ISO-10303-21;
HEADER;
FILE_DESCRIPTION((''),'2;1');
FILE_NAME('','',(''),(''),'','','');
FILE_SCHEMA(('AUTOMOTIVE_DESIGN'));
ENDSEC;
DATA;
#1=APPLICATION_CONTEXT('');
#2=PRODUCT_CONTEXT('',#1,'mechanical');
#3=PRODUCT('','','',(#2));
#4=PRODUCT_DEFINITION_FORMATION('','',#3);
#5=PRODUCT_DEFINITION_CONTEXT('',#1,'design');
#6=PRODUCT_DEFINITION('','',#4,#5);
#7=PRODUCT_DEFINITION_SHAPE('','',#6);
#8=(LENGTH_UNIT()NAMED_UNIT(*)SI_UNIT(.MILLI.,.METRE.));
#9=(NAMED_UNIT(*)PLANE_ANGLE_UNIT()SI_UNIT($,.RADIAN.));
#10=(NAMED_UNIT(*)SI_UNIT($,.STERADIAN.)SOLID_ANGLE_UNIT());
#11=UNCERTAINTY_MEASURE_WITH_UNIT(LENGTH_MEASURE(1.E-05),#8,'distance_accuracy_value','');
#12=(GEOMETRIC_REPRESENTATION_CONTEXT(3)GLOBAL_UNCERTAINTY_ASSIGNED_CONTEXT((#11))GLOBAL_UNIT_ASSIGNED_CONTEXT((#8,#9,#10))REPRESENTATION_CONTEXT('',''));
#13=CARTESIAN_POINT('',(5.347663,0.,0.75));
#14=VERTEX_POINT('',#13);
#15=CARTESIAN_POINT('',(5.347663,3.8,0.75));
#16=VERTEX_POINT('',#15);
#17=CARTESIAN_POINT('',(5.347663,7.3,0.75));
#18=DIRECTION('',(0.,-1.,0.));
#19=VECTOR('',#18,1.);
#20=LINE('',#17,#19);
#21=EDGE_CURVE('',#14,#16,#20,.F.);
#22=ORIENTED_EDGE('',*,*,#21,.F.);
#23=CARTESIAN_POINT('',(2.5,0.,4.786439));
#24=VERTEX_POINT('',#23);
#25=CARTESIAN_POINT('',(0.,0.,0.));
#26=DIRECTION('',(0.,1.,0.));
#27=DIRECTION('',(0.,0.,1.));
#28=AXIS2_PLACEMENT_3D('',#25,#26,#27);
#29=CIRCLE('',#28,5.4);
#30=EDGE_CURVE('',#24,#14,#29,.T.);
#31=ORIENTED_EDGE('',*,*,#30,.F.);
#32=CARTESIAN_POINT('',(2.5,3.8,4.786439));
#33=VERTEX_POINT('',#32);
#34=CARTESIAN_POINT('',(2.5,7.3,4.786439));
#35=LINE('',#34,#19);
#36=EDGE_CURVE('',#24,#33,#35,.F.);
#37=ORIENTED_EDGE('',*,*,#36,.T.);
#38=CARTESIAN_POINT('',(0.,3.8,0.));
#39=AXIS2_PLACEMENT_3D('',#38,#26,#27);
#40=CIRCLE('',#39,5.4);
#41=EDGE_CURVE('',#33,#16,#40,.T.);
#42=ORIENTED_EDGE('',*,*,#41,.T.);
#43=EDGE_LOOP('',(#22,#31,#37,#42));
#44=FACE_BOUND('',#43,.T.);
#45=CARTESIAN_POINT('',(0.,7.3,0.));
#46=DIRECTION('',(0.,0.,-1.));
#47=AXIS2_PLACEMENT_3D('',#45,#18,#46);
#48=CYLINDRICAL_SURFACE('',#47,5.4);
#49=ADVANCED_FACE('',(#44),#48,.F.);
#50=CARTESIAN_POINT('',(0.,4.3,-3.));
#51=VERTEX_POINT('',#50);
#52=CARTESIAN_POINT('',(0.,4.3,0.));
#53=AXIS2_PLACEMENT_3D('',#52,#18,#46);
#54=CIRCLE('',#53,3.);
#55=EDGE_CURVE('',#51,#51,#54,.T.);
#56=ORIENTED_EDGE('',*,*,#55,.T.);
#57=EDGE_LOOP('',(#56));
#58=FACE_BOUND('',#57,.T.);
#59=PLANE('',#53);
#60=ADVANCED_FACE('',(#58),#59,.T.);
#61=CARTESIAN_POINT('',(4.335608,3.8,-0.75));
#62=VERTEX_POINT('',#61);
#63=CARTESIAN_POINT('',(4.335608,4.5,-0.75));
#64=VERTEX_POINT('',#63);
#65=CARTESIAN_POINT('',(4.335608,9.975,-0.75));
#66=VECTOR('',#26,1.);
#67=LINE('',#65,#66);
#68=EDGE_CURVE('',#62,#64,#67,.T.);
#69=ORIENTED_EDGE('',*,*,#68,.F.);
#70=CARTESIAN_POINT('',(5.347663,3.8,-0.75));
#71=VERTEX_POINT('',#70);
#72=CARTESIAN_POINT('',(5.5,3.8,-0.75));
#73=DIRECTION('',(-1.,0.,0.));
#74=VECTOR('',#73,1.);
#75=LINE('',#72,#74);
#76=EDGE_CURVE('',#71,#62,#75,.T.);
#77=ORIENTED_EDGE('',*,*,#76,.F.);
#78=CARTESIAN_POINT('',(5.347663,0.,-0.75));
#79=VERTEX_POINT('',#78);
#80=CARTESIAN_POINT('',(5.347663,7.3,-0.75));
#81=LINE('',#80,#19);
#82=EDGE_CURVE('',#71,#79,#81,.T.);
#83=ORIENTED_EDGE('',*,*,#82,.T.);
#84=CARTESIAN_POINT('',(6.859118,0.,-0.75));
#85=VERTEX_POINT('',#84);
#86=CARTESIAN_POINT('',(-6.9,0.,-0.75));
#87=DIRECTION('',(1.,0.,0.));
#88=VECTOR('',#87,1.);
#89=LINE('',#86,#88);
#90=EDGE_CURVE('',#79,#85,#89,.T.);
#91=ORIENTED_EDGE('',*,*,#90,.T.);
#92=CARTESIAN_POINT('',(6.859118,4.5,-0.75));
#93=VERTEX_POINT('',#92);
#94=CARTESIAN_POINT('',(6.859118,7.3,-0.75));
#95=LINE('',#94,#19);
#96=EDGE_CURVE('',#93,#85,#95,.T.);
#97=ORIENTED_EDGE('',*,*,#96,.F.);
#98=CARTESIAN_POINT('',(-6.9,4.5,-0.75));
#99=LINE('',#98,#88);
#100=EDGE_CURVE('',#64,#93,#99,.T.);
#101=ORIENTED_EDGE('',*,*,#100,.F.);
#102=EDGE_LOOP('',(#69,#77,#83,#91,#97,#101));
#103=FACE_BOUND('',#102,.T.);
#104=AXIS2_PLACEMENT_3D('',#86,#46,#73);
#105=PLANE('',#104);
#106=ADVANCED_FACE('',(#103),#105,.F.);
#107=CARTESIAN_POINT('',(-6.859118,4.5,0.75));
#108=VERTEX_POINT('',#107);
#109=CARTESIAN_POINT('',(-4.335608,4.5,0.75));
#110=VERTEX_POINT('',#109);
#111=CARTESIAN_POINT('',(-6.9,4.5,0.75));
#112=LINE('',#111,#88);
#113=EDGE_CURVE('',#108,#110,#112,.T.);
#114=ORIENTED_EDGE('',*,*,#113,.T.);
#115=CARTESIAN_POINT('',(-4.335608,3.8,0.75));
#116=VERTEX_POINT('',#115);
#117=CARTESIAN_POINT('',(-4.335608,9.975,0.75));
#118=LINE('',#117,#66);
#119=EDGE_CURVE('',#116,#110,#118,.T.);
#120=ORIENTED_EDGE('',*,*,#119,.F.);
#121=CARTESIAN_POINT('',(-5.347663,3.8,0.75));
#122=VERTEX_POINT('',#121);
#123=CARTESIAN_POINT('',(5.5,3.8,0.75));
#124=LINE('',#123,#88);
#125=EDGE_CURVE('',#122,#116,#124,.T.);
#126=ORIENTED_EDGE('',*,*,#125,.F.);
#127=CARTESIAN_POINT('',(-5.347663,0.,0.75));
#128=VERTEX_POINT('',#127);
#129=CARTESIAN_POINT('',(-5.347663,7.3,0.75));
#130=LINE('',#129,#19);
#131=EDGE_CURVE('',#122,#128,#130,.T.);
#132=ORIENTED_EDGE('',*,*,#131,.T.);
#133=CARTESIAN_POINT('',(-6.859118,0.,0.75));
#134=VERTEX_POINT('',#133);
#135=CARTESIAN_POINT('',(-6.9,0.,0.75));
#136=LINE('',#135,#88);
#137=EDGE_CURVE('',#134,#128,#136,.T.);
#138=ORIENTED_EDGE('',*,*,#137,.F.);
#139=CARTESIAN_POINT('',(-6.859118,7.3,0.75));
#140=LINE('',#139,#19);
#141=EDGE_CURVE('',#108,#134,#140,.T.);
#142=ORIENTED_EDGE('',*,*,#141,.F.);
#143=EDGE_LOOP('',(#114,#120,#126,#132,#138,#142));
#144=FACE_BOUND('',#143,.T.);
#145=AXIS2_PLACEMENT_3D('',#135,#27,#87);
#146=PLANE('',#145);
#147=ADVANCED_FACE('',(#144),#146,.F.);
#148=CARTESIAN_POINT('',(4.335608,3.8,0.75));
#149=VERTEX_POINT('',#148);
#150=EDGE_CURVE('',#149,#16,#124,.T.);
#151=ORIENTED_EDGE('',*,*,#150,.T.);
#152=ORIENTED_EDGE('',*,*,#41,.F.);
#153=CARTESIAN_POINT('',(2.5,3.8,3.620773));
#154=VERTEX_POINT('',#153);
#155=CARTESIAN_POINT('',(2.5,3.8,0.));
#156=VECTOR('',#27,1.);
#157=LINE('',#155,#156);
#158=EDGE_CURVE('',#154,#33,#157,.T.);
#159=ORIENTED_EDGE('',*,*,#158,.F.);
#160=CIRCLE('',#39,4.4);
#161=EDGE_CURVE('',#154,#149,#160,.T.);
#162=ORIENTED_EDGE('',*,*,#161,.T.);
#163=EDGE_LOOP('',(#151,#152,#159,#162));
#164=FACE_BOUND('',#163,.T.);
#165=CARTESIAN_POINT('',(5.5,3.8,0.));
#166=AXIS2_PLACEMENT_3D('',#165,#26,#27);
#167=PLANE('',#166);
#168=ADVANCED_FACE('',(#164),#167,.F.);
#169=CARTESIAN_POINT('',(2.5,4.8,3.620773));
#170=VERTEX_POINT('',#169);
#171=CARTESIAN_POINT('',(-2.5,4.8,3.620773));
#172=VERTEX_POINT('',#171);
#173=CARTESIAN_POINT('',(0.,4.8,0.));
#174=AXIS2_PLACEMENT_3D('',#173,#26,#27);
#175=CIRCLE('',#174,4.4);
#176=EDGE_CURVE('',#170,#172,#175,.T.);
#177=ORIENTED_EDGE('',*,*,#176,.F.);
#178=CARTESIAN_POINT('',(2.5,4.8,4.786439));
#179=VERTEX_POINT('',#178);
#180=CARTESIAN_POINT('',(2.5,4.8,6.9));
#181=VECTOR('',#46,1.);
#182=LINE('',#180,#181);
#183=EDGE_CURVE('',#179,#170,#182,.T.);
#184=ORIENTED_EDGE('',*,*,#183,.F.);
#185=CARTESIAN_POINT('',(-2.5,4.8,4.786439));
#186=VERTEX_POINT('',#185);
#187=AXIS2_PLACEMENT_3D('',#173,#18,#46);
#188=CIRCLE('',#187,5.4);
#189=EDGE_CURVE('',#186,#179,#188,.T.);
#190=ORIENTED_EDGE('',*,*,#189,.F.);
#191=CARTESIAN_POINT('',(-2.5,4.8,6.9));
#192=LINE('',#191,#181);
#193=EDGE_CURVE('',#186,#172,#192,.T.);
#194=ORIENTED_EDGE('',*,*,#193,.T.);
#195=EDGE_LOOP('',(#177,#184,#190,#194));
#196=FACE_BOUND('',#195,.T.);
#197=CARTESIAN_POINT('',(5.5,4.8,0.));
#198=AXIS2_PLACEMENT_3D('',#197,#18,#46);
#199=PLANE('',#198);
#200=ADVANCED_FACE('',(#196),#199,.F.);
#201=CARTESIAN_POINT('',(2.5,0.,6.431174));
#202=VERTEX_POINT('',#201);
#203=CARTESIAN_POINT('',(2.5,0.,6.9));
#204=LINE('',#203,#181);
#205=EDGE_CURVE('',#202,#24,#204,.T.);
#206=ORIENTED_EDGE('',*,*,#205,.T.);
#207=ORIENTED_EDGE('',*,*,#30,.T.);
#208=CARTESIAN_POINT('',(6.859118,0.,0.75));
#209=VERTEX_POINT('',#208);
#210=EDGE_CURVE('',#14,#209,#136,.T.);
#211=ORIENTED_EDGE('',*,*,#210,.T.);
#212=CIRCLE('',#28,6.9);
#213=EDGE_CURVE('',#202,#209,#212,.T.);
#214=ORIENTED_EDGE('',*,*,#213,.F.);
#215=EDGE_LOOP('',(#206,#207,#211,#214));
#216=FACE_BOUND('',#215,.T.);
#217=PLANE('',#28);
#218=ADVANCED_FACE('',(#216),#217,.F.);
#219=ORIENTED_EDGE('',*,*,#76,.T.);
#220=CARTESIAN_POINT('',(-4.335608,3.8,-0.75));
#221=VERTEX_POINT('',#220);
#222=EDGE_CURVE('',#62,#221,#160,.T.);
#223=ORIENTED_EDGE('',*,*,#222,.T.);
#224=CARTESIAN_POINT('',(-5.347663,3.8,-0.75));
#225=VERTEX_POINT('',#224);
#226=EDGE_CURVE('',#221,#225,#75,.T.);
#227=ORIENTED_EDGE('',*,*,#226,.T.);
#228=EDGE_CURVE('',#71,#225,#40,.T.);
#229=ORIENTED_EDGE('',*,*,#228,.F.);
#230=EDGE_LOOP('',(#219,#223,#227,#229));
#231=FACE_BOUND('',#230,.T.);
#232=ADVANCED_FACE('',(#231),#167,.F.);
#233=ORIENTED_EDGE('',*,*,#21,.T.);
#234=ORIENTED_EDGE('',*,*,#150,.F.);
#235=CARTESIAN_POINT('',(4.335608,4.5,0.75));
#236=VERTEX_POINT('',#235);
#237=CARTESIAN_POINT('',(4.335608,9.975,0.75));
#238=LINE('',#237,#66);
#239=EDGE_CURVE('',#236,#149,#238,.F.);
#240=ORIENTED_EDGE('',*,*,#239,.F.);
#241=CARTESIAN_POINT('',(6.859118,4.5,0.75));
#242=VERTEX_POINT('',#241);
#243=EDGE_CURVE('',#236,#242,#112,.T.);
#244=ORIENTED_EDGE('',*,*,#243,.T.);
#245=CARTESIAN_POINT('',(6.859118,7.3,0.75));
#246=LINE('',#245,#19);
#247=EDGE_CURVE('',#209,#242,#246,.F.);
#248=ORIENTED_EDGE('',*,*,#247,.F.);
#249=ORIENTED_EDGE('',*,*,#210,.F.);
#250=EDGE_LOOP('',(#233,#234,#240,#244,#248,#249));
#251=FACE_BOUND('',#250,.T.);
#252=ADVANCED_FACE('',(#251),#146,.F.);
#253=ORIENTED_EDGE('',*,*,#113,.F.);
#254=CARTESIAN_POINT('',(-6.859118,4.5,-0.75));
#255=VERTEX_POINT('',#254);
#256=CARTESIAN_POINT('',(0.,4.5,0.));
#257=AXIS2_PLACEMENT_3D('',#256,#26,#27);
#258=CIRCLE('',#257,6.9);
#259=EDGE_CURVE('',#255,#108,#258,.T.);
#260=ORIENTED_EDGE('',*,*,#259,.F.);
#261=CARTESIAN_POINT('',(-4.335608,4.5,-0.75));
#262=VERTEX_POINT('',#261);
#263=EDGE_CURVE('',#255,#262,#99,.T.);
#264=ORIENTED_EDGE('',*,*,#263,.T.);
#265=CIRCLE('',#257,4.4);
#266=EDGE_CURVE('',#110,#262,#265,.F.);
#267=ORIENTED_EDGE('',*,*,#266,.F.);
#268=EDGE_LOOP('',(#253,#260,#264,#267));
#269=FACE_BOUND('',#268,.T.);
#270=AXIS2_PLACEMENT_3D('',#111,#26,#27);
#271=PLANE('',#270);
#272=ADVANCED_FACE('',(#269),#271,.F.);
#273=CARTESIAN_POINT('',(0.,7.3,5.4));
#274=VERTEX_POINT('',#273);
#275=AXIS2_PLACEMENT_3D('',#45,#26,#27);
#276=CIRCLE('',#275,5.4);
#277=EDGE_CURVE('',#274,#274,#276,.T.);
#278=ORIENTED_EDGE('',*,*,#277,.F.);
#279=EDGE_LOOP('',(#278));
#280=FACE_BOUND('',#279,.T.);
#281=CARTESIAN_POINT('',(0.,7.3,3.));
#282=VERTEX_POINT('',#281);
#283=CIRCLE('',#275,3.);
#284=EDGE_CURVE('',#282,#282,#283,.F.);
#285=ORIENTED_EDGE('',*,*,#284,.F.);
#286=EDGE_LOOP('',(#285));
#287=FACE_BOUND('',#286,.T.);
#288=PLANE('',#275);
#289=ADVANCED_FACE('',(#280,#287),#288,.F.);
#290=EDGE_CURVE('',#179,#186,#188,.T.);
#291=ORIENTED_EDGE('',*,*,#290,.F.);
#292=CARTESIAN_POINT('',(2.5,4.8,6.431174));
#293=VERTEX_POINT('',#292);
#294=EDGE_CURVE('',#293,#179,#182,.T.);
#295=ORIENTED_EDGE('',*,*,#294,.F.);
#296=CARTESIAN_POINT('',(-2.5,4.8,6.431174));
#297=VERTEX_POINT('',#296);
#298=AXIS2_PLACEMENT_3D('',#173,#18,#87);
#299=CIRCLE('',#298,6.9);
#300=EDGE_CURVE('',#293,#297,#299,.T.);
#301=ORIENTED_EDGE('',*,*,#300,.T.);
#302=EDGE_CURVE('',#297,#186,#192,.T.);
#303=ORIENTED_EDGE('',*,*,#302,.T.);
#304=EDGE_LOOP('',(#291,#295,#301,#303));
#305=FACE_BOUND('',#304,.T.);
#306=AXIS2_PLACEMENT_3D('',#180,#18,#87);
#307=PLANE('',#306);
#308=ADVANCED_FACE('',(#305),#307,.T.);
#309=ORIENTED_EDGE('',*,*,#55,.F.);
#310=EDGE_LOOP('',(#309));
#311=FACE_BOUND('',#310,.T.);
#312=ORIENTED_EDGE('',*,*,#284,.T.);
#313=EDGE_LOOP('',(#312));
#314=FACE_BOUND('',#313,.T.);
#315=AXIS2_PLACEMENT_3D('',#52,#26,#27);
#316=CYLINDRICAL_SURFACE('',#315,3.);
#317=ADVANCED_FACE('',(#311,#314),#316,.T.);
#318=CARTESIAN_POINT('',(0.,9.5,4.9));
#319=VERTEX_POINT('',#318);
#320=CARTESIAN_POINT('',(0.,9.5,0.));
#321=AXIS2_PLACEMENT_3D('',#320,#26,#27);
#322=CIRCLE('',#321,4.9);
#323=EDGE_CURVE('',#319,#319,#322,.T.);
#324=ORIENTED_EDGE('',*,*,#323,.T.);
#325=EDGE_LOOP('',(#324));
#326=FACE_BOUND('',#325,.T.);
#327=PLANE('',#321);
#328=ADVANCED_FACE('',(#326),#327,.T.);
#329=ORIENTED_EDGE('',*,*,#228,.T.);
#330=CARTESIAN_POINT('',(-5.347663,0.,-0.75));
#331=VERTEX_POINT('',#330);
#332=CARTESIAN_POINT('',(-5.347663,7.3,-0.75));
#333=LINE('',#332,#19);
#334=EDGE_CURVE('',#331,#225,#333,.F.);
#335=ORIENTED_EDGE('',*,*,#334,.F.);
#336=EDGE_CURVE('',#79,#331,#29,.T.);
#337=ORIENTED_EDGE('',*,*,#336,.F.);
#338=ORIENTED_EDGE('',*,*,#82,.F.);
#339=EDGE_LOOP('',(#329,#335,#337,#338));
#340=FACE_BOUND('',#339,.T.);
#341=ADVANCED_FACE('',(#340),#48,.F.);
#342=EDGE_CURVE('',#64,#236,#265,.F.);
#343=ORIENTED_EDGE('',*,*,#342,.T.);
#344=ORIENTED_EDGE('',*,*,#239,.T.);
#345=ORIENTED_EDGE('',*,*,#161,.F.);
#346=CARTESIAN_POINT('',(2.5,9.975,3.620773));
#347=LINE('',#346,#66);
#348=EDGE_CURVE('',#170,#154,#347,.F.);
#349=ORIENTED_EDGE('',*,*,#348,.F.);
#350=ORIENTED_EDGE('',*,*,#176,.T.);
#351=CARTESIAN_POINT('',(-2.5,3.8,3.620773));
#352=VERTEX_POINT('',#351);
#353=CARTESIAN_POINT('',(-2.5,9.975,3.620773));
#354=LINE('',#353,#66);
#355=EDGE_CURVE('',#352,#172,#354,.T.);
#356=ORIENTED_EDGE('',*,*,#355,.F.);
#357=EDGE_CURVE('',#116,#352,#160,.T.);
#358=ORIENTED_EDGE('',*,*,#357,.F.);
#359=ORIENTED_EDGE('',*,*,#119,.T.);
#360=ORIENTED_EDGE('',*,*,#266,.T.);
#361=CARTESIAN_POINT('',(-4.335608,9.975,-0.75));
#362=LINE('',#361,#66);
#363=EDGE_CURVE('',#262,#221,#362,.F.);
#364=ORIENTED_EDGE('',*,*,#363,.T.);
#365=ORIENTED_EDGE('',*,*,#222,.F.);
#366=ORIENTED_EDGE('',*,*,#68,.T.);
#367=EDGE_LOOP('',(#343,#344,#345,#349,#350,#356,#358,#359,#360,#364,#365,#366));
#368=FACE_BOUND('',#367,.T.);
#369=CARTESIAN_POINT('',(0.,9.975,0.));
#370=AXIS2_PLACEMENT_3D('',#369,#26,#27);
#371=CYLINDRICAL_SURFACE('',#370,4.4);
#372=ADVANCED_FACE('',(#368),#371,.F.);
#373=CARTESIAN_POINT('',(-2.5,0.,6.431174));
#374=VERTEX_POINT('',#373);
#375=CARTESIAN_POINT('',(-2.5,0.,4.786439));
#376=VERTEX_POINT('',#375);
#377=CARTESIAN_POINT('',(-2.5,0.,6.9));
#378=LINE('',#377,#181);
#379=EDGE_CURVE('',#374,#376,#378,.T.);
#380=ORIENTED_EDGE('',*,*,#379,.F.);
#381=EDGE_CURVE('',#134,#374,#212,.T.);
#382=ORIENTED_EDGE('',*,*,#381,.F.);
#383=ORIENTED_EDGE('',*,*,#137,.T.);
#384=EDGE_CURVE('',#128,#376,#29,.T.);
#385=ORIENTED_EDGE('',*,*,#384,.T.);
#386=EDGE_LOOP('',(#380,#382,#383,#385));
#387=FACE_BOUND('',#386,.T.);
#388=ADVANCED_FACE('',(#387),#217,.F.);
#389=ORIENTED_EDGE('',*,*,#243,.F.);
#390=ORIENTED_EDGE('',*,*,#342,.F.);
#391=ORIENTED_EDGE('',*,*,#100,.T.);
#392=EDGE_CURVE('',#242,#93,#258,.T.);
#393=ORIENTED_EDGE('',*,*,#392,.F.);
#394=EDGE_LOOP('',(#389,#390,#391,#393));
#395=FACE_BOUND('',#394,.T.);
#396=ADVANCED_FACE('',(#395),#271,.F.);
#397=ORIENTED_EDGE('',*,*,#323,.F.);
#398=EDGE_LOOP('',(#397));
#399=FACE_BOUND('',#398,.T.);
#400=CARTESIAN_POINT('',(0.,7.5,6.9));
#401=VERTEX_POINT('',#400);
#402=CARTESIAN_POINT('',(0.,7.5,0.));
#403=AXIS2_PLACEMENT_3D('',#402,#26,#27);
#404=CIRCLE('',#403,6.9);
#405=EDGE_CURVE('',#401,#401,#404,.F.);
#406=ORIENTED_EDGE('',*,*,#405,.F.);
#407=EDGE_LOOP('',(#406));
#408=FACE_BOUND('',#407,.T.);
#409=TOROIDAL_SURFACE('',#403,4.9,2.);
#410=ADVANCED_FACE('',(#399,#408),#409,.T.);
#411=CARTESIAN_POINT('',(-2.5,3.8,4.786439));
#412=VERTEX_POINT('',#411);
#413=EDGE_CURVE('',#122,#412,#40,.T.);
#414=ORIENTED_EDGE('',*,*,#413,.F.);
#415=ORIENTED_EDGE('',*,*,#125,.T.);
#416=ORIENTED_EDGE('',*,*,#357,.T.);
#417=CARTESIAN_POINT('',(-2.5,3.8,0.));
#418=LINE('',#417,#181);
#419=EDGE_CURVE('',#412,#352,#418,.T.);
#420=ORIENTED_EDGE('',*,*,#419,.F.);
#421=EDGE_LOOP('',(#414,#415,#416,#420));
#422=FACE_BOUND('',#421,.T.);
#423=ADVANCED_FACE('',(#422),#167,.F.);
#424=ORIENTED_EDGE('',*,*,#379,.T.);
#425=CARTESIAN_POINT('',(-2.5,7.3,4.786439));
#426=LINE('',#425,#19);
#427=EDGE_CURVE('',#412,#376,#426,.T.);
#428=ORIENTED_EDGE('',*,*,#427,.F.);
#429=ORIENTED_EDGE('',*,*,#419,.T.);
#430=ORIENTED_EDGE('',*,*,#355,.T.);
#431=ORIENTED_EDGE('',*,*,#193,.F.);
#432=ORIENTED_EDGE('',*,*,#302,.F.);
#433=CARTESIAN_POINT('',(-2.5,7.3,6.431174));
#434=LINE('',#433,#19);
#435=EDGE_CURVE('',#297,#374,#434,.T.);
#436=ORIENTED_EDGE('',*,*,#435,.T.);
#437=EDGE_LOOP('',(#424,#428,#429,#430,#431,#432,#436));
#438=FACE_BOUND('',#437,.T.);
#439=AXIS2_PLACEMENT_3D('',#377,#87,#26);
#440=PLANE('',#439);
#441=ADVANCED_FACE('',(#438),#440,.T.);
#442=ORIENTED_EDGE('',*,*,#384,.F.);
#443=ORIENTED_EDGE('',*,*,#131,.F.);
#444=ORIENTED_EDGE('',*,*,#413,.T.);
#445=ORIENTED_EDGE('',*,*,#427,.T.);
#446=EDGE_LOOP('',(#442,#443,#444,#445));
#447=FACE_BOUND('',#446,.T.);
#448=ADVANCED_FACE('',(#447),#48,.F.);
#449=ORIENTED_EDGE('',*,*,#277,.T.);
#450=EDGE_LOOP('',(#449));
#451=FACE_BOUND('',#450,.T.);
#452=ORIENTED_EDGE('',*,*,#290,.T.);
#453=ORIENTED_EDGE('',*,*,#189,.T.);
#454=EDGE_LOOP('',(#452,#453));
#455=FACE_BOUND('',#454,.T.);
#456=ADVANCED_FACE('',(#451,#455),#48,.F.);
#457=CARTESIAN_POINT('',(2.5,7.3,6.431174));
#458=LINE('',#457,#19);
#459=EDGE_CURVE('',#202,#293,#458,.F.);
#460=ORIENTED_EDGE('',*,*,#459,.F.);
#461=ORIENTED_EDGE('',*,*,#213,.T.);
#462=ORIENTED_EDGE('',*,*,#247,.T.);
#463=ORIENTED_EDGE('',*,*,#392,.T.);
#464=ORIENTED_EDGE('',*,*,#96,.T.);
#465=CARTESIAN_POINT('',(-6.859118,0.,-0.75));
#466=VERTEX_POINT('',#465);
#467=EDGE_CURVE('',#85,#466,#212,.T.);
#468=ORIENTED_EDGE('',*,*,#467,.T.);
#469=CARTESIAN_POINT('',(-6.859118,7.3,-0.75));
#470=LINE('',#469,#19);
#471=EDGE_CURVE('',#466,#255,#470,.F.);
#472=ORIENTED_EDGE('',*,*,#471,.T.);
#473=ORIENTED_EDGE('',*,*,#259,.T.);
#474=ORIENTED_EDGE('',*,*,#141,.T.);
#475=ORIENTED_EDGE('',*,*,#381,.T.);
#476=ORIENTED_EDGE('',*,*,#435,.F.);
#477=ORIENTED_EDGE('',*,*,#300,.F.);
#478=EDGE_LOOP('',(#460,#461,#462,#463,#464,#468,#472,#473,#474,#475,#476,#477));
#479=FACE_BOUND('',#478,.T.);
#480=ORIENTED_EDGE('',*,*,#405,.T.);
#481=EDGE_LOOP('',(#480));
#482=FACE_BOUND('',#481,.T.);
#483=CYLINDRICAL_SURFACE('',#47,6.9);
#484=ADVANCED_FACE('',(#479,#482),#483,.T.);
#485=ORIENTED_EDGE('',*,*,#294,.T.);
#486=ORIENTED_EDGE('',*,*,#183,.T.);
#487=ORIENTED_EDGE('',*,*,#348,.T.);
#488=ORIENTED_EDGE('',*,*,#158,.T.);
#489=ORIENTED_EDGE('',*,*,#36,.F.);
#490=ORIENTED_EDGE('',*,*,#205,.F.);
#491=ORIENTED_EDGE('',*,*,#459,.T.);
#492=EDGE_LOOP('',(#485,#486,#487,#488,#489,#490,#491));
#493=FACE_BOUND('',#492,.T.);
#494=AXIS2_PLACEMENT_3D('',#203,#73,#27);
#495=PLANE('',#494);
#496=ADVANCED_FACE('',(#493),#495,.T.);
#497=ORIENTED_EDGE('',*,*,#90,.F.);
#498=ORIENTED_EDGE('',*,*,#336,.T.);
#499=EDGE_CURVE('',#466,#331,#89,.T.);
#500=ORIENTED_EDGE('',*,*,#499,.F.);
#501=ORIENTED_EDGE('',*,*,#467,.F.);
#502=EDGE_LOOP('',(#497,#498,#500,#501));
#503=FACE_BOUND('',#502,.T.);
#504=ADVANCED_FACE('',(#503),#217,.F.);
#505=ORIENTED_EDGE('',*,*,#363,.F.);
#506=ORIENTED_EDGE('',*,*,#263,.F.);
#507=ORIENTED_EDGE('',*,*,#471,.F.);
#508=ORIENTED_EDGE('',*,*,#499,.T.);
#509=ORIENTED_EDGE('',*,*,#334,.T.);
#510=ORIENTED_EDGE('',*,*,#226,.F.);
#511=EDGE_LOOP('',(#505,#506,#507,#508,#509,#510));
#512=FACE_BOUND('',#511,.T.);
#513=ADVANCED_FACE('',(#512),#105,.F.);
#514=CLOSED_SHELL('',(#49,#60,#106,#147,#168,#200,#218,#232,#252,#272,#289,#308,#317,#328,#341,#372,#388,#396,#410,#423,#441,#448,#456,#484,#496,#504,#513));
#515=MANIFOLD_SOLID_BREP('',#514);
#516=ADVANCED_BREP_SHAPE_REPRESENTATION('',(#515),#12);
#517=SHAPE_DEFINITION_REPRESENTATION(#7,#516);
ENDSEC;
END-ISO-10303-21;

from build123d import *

# Parameters (mm, degrees)
SKETCH1_R               = 6.9
SKETCH1_R_2             = 5.4
BOSS_EXTRUDE1_DEPTH     = 7.3
SKETCH2_R               = 6.9
BOSS_EXTRUDE2_DEPTH     = 2.2
FILLET1_R               = 2
SKETCH6_W               = 1.1
SKETCH6_H               = 1
SKETCH4_W               = 5
SKETCH4_H               = 4.8
CUT_EXTRUDE1_DEPTH      = 14.618737093
CUT_EXTRUDE2_DEPTH      = 14.618737093
CUT_EXTRUDE2_DEPTH_BACK = 14.618737093
SKETCH5_W               = 1.5
SKETCH5_H               = 4.5
SKETCH3_R               = 3
BOSS_EXTRUDE3_DEPTH     = 3


with BuildPart() as part:
    # Sketch1 → Boss-Extrude1 (new body)
    with BuildSketch(Plane(origin=(0, 0, 0), x_dir=(1, 0, 0), z_dir=(0, 1, 0))):
        with Locations(Location((0, 0, 0), (0, 0, 270))):
            Circle(SKETCH1_R)
        with Locations(Location((0, 0, 0), (0, 0, 270))):
            Circle(SKETCH1_R_2, mode=Mode.SUBTRACT)
    extrude(amount=BOSS_EXTRUDE1_DEPTH)

    # Sketch2 → Boss-Extrude2 (add)
    with BuildSketch(Plane(origin=(0, 7.3, 0), x_dir=(1, 0, 0), z_dir=(0, 1, 0))):
        with Locations(Location((0, 0, 0), (0, 0, 270))):
            Circle(SKETCH2_R)
    extrude(amount=BOSS_EXTRUDE2_DEPTH)

    # Fillet1
    fillet1_edges = [part.edges().sort_by_distance(p)[0] for p in [
        (0, 9.5, -6.9),
    ]]
    fillet(fillet1_edges, radius=FILLET1_R)

    # Sketch6 → Revolve3 (revolve)
    with BuildSketch(Plane.XY, mode=Mode.PRIVATE) as revolve3_sk:
        with Locations((4.95, 4.3)):
            Rectangle(SKETCH6_W, SKETCH6_H)
    revolve(revolve3_sk.sketch.rotate(Axis((0, 9.975, 0), (0, -1, 0)), 90), axis=Axis((0, 9.975, 0), (0, -1, 0)))

    # Sketch4 → Cut-Extrude1 (cut, through all)
    with BuildSketch(Plane.XY):
        with Locations((0, 2.4)):
            Rectangle(SKETCH4_W, SKETCH4_H)
    extrude(amount=CUT_EXTRUDE1_DEPTH, mode=Mode.SUBTRACT)

    # Sketch5 → Cut-Extrude2 (cut, two sides: drawn at the far end of the back side and taken through both)
    with BuildSketch(Plane(origin=(0, 0, 0), x_dir=(0, 0, -1), z_dir=(1, 0, 0)).offset(-CUT_EXTRUDE2_DEPTH_BACK)):
        with Locations((0, 2.25)):
            Rectangle(SKETCH5_W, SKETCH5_H)
    extrude(amount=CUT_EXTRUDE2_DEPTH + CUT_EXTRUDE2_DEPTH_BACK, mode=Mode.SUBTRACT)

    # Sketch3 → Boss-Extrude3 (add)
    with BuildSketch(Plane.XZ.offset(-7.3)):
        with Locations(Location((0, 0, 0), (0, 0, 90))):
            Circle(SKETCH3_R)
    extrude(amount=BOSS_EXTRUDE3_DEPTH)


solid = part.part
